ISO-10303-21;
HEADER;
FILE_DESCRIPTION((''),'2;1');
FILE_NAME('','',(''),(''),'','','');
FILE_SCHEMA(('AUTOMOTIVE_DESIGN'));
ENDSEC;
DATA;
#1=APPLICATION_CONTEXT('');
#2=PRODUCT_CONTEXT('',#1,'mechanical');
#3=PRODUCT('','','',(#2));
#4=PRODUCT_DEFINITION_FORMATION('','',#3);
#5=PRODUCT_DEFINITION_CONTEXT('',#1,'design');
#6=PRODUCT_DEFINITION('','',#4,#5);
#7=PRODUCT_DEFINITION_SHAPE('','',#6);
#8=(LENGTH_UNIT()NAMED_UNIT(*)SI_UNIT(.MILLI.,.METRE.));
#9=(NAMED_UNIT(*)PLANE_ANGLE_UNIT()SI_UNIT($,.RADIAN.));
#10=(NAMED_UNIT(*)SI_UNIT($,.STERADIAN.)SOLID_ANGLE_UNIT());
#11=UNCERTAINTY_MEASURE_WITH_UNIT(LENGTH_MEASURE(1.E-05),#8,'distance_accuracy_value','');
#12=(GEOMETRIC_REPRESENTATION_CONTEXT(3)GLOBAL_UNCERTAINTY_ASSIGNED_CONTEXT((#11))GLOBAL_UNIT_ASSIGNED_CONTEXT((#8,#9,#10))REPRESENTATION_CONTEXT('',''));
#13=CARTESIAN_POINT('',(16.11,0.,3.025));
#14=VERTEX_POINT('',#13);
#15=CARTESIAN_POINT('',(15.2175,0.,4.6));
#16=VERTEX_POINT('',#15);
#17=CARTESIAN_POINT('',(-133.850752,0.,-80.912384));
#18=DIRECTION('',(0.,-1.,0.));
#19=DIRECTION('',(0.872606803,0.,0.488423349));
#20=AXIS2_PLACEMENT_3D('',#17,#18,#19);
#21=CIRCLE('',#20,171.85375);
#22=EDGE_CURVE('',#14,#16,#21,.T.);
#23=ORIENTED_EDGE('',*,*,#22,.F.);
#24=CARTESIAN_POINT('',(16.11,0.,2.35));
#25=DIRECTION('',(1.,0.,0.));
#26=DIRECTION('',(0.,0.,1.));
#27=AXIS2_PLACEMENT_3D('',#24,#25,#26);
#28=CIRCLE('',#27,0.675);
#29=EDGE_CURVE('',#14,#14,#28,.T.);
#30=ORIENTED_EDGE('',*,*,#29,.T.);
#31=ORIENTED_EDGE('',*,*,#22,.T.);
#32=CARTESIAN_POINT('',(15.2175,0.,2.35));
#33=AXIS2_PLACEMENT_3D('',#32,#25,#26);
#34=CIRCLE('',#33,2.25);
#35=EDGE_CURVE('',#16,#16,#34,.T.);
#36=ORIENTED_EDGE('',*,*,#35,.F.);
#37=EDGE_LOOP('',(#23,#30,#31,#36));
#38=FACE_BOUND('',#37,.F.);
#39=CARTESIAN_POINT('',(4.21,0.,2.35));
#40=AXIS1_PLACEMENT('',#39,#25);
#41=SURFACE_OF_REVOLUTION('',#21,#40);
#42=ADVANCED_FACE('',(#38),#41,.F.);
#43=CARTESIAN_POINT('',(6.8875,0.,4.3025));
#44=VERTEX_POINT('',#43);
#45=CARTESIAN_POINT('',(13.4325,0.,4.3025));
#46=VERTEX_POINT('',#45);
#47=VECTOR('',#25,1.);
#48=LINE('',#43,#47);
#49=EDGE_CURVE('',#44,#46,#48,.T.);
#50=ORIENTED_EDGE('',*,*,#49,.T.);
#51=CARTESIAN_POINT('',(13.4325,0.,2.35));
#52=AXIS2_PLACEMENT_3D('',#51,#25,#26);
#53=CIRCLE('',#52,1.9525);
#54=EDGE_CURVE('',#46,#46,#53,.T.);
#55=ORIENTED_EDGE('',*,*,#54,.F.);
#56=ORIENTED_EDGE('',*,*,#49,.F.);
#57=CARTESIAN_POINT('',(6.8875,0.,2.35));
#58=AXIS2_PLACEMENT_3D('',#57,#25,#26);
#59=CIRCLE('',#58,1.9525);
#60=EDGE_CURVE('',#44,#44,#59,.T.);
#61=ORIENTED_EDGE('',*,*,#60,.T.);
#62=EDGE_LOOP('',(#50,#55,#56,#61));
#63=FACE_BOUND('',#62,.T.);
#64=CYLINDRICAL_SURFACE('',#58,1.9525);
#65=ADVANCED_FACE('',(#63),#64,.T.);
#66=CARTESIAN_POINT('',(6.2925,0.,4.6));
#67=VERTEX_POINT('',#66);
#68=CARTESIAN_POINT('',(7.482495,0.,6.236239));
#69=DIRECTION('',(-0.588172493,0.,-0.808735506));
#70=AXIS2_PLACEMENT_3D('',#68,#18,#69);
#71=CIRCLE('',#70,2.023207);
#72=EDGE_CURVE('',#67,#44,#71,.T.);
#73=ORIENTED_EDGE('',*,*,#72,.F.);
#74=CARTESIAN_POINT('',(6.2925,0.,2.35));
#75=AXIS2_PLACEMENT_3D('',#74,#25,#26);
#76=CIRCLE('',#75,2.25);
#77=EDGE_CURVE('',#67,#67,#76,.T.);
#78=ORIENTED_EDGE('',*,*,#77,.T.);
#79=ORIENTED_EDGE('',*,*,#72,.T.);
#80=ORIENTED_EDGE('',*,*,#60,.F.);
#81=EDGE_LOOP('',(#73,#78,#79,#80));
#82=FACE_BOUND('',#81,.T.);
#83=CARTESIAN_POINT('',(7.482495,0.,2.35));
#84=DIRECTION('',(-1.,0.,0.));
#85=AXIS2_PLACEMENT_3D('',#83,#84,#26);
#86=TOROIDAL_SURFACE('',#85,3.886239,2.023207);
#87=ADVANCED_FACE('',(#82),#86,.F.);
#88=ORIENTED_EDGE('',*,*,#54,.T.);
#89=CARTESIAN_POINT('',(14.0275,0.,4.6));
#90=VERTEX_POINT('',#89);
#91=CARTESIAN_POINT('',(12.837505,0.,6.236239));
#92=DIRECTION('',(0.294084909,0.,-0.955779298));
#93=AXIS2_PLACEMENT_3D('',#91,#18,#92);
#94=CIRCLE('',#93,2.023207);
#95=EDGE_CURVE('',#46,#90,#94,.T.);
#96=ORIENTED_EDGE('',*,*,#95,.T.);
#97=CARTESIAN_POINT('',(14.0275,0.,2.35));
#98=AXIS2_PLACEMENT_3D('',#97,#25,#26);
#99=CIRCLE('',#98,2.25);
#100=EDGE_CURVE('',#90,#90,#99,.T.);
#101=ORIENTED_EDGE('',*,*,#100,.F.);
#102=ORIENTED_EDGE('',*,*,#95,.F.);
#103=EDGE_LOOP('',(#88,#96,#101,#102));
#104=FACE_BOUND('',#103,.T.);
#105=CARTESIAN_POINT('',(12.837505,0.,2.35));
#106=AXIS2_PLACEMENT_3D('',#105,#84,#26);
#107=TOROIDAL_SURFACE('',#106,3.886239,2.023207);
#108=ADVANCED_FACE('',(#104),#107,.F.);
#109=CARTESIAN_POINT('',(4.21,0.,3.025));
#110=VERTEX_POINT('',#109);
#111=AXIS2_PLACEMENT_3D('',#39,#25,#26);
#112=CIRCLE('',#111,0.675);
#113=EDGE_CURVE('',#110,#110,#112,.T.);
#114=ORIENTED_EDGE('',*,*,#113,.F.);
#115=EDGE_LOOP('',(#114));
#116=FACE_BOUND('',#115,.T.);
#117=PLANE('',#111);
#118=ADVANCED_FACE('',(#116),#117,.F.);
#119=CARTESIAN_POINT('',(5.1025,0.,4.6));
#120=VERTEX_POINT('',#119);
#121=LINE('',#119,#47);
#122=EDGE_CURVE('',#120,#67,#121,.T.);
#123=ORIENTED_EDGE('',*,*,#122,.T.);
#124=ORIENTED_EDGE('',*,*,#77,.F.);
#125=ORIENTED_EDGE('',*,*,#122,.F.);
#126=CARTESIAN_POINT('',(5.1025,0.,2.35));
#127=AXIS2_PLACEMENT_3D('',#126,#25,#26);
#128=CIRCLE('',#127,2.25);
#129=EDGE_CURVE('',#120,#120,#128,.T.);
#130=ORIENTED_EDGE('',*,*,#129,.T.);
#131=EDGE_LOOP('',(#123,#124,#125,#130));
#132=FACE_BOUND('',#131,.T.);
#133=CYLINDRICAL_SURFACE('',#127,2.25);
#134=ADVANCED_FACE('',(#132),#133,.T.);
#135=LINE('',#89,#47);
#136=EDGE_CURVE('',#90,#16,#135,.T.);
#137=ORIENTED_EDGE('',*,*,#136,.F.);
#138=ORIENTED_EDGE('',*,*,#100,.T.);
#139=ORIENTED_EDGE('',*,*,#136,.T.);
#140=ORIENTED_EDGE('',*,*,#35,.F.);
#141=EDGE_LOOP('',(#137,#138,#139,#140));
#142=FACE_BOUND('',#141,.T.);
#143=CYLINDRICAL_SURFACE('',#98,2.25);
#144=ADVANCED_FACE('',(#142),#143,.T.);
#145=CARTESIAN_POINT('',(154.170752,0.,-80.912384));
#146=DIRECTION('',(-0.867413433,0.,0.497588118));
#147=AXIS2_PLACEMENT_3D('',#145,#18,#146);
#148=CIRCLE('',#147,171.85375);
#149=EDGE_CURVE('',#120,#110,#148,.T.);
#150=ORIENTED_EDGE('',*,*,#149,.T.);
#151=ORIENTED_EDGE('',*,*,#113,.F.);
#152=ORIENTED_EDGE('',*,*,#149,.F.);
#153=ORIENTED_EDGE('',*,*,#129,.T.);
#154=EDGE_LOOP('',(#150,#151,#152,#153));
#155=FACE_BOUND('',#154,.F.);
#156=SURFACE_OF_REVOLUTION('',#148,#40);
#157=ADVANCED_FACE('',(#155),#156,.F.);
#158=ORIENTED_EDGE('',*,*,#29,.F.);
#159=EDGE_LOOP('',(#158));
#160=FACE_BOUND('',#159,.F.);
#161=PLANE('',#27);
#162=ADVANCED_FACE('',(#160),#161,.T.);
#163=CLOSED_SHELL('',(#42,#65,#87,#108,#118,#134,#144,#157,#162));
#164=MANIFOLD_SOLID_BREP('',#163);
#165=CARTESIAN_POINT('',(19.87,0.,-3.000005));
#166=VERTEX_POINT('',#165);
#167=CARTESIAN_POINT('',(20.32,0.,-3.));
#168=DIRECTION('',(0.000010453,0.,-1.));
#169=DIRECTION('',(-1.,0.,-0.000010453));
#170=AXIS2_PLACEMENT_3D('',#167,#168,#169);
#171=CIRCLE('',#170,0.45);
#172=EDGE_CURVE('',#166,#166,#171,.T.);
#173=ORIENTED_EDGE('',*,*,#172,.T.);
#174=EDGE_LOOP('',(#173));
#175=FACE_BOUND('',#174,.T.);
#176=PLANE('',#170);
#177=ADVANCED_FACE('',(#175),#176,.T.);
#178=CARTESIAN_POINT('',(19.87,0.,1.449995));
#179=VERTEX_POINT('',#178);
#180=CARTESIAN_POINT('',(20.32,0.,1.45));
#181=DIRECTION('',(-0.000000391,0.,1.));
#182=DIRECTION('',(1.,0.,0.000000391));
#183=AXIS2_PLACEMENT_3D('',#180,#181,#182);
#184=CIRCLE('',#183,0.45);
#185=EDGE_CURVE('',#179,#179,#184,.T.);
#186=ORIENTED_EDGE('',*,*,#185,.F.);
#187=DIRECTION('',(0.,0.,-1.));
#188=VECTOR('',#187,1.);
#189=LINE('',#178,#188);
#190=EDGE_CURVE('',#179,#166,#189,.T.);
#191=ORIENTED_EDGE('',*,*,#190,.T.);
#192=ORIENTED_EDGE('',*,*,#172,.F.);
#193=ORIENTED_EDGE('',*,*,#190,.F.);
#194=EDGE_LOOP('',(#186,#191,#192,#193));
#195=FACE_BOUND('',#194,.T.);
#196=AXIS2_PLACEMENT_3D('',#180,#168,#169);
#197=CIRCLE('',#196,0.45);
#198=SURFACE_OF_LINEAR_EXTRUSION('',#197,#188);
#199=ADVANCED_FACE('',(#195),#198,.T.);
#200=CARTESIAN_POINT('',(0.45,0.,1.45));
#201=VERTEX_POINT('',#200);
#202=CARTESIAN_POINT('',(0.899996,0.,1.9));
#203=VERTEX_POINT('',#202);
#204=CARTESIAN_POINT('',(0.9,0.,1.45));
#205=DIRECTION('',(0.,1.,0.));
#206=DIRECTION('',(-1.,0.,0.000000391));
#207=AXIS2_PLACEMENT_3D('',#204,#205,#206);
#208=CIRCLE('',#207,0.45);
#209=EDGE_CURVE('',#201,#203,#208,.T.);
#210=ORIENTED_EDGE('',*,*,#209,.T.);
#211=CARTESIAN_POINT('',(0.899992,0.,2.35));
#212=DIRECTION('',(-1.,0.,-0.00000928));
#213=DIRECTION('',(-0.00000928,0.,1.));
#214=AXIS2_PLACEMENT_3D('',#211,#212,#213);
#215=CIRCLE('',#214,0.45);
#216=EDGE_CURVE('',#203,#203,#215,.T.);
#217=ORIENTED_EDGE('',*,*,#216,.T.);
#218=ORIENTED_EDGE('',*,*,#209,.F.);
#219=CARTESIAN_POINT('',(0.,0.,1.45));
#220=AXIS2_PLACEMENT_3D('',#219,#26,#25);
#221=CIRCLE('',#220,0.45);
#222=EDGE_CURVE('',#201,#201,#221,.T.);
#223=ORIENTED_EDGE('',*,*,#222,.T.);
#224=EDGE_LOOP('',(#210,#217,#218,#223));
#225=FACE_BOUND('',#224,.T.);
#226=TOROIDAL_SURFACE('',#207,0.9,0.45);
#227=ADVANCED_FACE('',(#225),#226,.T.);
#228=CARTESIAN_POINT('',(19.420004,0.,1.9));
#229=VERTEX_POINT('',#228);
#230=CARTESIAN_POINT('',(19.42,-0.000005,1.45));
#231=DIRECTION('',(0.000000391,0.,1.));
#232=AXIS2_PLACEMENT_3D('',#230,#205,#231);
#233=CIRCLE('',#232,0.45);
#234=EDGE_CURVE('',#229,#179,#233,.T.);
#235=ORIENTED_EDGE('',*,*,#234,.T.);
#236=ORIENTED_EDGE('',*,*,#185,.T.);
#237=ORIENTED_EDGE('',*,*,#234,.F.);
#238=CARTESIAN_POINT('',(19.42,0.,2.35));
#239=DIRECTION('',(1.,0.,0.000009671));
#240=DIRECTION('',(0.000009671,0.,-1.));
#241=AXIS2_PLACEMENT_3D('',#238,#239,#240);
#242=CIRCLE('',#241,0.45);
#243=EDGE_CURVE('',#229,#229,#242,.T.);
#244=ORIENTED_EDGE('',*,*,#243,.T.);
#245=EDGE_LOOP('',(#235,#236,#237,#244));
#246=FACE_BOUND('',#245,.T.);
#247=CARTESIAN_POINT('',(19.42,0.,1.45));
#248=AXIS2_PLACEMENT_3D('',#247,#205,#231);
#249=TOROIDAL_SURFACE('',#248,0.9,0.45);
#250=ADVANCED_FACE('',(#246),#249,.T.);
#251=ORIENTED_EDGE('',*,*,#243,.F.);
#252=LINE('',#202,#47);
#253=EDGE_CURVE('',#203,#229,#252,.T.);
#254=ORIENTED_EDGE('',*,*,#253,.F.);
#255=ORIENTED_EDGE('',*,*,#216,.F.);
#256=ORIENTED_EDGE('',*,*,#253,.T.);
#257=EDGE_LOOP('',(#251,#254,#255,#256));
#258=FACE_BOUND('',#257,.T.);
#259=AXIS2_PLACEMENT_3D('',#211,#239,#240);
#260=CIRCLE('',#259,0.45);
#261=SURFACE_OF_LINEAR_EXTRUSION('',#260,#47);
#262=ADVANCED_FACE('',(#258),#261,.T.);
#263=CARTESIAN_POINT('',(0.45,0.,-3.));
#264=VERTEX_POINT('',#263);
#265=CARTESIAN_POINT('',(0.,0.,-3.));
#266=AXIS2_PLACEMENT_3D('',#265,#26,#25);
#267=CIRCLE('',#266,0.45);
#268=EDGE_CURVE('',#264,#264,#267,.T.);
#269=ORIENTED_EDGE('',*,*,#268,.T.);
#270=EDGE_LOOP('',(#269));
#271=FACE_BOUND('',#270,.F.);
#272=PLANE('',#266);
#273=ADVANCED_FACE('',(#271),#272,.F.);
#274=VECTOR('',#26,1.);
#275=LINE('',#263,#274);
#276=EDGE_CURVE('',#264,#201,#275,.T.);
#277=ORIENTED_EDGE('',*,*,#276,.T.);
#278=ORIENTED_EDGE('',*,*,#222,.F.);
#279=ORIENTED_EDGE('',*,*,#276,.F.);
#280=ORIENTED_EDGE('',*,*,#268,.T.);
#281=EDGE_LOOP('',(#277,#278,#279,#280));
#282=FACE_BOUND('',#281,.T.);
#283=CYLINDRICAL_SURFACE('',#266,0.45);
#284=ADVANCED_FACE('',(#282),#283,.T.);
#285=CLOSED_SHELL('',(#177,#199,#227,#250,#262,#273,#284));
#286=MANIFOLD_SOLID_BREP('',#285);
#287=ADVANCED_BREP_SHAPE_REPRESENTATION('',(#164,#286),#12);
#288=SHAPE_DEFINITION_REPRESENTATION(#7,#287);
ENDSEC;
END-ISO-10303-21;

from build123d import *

# Parameters (mm, degrees)
SKETCH_R = 0.45


with BuildPart() as revolution:
    # Sketch002 → Revolution (revolve)
    with BuildSketch(Plane.XZ):
        with BuildLine():
            Line((5.1025, 4.6), (6.2925, 4.6))
            ThreePointArc((6.2925, 4.6), (6.577689, 4.426628), (6.8875, 4.3025))
            Line((6.8875, 4.3025), (13.4325, 4.3025))
            ThreePointArc((13.4325, 4.3025), (13.742311, 4.426628), (14.0275, 4.6))
            Line((14.0275, 4.6), (15.2175, 4.6))
            ThreePointArc((16.11, 3.025), (15.665824, 3.813675), (15.2175, 4.6))
            Line((16.11, 2.35), (16.11, 3.025))
            Line((4.21, 2.35), (16.11, 2.35))
            Line((4.21, 2.35), (4.21, 3.025))
            ThreePointArc((5.1025, 4.6), (4.654176, 3.813675), (4.21, 3.025))
        make_face()
    revolve(axis=Axis((4.21, 0, 2.35), (1, 0, 0)))


with BuildPart() as sweep_body:
    # Sweep: sweep along a path in Sketch001
    with BuildLine(Plane.XZ) as sweep_path:
        Line((0, -3), (0, 1.45))
        ThreePointArc((0, 1.45), (0.263601, 2.086393), (0.899992, 2.35))
        Line((0.899992, 2.35), (19.42, 2.35))
        ThreePointArc((19.42, 2.35), (20.056396, 2.086396), (20.32, 1.45))
        Line((20.32, 1.45), (20.32, -3))
    # Sketch → Sweep (sweep)
    with BuildSketch(Plane.XY.offset(-2)):
        Circle(SKETCH_R)
    sweep(path=sweep_path.line)


solid = Compound([revolution.part, sweep_body.part])
